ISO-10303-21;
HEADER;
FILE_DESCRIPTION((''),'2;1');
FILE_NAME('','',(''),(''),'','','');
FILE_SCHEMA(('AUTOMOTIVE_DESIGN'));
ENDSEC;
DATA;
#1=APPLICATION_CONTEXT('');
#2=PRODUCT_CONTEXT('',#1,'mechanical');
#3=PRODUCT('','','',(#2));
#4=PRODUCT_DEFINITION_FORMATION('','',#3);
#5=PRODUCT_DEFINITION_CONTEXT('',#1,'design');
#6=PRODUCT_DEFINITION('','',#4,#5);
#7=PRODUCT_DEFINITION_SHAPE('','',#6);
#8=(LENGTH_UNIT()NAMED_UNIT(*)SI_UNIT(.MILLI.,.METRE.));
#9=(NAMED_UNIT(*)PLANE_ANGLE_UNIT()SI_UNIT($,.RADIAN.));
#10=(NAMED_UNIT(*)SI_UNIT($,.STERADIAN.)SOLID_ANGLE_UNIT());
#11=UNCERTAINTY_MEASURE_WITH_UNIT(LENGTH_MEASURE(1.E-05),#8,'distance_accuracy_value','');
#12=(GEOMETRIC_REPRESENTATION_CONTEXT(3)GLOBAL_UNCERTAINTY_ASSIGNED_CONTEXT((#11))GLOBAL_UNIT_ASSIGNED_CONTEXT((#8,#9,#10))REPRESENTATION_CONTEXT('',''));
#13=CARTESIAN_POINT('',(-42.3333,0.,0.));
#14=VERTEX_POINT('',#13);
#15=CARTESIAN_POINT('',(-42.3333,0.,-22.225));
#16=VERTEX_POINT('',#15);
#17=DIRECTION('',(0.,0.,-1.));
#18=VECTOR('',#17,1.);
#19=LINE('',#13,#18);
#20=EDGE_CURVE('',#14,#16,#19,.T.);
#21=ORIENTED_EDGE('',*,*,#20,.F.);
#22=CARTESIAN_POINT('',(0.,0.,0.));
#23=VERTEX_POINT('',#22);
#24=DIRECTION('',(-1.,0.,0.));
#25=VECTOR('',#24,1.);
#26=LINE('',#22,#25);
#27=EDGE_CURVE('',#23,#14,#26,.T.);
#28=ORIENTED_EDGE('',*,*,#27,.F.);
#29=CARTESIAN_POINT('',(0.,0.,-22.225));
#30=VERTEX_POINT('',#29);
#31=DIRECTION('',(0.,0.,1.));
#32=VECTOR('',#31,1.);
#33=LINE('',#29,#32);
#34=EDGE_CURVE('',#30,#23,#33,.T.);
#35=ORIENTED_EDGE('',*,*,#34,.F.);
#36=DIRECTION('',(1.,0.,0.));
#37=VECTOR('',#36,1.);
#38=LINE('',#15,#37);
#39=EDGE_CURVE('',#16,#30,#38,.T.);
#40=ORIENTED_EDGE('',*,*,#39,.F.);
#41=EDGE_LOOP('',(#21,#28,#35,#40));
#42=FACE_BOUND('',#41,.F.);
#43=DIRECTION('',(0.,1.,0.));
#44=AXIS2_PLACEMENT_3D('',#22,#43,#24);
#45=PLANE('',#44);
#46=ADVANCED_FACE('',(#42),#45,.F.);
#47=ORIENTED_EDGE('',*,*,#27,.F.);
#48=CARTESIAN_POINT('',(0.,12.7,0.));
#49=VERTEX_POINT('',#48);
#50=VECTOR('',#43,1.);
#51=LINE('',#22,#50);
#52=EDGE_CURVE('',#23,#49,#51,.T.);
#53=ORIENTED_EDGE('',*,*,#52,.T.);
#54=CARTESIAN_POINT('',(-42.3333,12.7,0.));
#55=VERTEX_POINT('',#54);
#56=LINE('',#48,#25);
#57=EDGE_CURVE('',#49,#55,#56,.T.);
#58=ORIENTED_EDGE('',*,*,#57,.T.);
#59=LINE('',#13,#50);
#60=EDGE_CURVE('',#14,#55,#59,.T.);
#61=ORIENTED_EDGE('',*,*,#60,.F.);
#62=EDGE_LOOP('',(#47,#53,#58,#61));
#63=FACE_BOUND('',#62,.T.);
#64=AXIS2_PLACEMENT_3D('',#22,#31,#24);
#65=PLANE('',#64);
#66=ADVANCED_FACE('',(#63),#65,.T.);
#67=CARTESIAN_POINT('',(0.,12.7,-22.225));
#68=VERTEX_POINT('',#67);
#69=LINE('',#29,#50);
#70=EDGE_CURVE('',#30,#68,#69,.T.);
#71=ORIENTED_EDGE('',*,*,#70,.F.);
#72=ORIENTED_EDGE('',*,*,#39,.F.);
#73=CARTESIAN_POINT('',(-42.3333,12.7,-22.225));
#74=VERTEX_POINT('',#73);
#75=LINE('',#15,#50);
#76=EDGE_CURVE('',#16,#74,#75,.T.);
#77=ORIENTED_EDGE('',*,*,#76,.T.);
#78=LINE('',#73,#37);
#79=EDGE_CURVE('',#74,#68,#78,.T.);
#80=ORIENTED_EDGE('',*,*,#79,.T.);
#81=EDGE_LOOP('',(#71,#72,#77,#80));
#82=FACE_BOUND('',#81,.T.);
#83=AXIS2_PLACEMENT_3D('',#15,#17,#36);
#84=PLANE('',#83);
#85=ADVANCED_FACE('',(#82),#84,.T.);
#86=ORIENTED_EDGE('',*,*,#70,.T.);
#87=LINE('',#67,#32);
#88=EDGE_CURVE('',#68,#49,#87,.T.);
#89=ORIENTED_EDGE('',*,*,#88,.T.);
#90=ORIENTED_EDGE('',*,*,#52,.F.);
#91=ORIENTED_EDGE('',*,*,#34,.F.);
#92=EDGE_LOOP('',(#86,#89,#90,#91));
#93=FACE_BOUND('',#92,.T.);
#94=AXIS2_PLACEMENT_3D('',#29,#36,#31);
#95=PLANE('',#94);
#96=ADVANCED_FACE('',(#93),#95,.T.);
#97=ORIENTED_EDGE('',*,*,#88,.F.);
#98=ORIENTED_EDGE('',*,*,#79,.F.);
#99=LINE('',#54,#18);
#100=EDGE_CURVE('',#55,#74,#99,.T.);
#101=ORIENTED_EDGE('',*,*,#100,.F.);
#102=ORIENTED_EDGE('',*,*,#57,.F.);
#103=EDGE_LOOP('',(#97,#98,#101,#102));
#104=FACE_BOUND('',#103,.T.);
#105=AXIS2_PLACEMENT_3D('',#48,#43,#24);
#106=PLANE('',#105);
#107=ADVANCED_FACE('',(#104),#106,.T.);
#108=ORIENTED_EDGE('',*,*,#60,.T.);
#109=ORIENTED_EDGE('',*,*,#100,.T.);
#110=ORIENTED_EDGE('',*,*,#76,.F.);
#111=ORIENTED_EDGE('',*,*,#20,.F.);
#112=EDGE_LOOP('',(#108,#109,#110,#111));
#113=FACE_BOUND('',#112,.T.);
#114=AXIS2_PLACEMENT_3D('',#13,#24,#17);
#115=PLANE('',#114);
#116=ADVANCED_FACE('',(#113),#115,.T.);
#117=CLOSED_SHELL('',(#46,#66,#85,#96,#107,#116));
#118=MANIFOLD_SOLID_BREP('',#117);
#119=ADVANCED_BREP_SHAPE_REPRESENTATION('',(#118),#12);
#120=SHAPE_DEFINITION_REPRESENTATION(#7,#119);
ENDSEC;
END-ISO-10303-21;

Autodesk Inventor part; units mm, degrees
ref_plane "YZ Plane" through (0, 0, 0) normal (1, 0, 0) x (0, 1, 0)
ref_plane "XZ Plane" through (0, 0, 0) normal (0, 1, 0) x (-1, 0, 0)
ref_plane "XY Plane" through (0, 0, 0) normal (0, 0, 1) x (1, 0, 0)
sketch "Sketch1" plane through (0, 0, 0) normal (0, 1, 0) x (-1, 0, 0)
  line L0 (0, 0) -> (42.3333, 0)
  line L1 (42.3333, 0) -> (42.3333, -22.225)
  line L2 (42.3333, -22.225) -> (0, -22.225)
  line L3 (0, -22.225) -> (0, 0)
  dimension "d0" = 42.3333
  dimension "d1" = 22.225
extrude "Extrusion1" add sketch "Sketch1" along normal blind 12.7
properties part number "BoostConverter"
